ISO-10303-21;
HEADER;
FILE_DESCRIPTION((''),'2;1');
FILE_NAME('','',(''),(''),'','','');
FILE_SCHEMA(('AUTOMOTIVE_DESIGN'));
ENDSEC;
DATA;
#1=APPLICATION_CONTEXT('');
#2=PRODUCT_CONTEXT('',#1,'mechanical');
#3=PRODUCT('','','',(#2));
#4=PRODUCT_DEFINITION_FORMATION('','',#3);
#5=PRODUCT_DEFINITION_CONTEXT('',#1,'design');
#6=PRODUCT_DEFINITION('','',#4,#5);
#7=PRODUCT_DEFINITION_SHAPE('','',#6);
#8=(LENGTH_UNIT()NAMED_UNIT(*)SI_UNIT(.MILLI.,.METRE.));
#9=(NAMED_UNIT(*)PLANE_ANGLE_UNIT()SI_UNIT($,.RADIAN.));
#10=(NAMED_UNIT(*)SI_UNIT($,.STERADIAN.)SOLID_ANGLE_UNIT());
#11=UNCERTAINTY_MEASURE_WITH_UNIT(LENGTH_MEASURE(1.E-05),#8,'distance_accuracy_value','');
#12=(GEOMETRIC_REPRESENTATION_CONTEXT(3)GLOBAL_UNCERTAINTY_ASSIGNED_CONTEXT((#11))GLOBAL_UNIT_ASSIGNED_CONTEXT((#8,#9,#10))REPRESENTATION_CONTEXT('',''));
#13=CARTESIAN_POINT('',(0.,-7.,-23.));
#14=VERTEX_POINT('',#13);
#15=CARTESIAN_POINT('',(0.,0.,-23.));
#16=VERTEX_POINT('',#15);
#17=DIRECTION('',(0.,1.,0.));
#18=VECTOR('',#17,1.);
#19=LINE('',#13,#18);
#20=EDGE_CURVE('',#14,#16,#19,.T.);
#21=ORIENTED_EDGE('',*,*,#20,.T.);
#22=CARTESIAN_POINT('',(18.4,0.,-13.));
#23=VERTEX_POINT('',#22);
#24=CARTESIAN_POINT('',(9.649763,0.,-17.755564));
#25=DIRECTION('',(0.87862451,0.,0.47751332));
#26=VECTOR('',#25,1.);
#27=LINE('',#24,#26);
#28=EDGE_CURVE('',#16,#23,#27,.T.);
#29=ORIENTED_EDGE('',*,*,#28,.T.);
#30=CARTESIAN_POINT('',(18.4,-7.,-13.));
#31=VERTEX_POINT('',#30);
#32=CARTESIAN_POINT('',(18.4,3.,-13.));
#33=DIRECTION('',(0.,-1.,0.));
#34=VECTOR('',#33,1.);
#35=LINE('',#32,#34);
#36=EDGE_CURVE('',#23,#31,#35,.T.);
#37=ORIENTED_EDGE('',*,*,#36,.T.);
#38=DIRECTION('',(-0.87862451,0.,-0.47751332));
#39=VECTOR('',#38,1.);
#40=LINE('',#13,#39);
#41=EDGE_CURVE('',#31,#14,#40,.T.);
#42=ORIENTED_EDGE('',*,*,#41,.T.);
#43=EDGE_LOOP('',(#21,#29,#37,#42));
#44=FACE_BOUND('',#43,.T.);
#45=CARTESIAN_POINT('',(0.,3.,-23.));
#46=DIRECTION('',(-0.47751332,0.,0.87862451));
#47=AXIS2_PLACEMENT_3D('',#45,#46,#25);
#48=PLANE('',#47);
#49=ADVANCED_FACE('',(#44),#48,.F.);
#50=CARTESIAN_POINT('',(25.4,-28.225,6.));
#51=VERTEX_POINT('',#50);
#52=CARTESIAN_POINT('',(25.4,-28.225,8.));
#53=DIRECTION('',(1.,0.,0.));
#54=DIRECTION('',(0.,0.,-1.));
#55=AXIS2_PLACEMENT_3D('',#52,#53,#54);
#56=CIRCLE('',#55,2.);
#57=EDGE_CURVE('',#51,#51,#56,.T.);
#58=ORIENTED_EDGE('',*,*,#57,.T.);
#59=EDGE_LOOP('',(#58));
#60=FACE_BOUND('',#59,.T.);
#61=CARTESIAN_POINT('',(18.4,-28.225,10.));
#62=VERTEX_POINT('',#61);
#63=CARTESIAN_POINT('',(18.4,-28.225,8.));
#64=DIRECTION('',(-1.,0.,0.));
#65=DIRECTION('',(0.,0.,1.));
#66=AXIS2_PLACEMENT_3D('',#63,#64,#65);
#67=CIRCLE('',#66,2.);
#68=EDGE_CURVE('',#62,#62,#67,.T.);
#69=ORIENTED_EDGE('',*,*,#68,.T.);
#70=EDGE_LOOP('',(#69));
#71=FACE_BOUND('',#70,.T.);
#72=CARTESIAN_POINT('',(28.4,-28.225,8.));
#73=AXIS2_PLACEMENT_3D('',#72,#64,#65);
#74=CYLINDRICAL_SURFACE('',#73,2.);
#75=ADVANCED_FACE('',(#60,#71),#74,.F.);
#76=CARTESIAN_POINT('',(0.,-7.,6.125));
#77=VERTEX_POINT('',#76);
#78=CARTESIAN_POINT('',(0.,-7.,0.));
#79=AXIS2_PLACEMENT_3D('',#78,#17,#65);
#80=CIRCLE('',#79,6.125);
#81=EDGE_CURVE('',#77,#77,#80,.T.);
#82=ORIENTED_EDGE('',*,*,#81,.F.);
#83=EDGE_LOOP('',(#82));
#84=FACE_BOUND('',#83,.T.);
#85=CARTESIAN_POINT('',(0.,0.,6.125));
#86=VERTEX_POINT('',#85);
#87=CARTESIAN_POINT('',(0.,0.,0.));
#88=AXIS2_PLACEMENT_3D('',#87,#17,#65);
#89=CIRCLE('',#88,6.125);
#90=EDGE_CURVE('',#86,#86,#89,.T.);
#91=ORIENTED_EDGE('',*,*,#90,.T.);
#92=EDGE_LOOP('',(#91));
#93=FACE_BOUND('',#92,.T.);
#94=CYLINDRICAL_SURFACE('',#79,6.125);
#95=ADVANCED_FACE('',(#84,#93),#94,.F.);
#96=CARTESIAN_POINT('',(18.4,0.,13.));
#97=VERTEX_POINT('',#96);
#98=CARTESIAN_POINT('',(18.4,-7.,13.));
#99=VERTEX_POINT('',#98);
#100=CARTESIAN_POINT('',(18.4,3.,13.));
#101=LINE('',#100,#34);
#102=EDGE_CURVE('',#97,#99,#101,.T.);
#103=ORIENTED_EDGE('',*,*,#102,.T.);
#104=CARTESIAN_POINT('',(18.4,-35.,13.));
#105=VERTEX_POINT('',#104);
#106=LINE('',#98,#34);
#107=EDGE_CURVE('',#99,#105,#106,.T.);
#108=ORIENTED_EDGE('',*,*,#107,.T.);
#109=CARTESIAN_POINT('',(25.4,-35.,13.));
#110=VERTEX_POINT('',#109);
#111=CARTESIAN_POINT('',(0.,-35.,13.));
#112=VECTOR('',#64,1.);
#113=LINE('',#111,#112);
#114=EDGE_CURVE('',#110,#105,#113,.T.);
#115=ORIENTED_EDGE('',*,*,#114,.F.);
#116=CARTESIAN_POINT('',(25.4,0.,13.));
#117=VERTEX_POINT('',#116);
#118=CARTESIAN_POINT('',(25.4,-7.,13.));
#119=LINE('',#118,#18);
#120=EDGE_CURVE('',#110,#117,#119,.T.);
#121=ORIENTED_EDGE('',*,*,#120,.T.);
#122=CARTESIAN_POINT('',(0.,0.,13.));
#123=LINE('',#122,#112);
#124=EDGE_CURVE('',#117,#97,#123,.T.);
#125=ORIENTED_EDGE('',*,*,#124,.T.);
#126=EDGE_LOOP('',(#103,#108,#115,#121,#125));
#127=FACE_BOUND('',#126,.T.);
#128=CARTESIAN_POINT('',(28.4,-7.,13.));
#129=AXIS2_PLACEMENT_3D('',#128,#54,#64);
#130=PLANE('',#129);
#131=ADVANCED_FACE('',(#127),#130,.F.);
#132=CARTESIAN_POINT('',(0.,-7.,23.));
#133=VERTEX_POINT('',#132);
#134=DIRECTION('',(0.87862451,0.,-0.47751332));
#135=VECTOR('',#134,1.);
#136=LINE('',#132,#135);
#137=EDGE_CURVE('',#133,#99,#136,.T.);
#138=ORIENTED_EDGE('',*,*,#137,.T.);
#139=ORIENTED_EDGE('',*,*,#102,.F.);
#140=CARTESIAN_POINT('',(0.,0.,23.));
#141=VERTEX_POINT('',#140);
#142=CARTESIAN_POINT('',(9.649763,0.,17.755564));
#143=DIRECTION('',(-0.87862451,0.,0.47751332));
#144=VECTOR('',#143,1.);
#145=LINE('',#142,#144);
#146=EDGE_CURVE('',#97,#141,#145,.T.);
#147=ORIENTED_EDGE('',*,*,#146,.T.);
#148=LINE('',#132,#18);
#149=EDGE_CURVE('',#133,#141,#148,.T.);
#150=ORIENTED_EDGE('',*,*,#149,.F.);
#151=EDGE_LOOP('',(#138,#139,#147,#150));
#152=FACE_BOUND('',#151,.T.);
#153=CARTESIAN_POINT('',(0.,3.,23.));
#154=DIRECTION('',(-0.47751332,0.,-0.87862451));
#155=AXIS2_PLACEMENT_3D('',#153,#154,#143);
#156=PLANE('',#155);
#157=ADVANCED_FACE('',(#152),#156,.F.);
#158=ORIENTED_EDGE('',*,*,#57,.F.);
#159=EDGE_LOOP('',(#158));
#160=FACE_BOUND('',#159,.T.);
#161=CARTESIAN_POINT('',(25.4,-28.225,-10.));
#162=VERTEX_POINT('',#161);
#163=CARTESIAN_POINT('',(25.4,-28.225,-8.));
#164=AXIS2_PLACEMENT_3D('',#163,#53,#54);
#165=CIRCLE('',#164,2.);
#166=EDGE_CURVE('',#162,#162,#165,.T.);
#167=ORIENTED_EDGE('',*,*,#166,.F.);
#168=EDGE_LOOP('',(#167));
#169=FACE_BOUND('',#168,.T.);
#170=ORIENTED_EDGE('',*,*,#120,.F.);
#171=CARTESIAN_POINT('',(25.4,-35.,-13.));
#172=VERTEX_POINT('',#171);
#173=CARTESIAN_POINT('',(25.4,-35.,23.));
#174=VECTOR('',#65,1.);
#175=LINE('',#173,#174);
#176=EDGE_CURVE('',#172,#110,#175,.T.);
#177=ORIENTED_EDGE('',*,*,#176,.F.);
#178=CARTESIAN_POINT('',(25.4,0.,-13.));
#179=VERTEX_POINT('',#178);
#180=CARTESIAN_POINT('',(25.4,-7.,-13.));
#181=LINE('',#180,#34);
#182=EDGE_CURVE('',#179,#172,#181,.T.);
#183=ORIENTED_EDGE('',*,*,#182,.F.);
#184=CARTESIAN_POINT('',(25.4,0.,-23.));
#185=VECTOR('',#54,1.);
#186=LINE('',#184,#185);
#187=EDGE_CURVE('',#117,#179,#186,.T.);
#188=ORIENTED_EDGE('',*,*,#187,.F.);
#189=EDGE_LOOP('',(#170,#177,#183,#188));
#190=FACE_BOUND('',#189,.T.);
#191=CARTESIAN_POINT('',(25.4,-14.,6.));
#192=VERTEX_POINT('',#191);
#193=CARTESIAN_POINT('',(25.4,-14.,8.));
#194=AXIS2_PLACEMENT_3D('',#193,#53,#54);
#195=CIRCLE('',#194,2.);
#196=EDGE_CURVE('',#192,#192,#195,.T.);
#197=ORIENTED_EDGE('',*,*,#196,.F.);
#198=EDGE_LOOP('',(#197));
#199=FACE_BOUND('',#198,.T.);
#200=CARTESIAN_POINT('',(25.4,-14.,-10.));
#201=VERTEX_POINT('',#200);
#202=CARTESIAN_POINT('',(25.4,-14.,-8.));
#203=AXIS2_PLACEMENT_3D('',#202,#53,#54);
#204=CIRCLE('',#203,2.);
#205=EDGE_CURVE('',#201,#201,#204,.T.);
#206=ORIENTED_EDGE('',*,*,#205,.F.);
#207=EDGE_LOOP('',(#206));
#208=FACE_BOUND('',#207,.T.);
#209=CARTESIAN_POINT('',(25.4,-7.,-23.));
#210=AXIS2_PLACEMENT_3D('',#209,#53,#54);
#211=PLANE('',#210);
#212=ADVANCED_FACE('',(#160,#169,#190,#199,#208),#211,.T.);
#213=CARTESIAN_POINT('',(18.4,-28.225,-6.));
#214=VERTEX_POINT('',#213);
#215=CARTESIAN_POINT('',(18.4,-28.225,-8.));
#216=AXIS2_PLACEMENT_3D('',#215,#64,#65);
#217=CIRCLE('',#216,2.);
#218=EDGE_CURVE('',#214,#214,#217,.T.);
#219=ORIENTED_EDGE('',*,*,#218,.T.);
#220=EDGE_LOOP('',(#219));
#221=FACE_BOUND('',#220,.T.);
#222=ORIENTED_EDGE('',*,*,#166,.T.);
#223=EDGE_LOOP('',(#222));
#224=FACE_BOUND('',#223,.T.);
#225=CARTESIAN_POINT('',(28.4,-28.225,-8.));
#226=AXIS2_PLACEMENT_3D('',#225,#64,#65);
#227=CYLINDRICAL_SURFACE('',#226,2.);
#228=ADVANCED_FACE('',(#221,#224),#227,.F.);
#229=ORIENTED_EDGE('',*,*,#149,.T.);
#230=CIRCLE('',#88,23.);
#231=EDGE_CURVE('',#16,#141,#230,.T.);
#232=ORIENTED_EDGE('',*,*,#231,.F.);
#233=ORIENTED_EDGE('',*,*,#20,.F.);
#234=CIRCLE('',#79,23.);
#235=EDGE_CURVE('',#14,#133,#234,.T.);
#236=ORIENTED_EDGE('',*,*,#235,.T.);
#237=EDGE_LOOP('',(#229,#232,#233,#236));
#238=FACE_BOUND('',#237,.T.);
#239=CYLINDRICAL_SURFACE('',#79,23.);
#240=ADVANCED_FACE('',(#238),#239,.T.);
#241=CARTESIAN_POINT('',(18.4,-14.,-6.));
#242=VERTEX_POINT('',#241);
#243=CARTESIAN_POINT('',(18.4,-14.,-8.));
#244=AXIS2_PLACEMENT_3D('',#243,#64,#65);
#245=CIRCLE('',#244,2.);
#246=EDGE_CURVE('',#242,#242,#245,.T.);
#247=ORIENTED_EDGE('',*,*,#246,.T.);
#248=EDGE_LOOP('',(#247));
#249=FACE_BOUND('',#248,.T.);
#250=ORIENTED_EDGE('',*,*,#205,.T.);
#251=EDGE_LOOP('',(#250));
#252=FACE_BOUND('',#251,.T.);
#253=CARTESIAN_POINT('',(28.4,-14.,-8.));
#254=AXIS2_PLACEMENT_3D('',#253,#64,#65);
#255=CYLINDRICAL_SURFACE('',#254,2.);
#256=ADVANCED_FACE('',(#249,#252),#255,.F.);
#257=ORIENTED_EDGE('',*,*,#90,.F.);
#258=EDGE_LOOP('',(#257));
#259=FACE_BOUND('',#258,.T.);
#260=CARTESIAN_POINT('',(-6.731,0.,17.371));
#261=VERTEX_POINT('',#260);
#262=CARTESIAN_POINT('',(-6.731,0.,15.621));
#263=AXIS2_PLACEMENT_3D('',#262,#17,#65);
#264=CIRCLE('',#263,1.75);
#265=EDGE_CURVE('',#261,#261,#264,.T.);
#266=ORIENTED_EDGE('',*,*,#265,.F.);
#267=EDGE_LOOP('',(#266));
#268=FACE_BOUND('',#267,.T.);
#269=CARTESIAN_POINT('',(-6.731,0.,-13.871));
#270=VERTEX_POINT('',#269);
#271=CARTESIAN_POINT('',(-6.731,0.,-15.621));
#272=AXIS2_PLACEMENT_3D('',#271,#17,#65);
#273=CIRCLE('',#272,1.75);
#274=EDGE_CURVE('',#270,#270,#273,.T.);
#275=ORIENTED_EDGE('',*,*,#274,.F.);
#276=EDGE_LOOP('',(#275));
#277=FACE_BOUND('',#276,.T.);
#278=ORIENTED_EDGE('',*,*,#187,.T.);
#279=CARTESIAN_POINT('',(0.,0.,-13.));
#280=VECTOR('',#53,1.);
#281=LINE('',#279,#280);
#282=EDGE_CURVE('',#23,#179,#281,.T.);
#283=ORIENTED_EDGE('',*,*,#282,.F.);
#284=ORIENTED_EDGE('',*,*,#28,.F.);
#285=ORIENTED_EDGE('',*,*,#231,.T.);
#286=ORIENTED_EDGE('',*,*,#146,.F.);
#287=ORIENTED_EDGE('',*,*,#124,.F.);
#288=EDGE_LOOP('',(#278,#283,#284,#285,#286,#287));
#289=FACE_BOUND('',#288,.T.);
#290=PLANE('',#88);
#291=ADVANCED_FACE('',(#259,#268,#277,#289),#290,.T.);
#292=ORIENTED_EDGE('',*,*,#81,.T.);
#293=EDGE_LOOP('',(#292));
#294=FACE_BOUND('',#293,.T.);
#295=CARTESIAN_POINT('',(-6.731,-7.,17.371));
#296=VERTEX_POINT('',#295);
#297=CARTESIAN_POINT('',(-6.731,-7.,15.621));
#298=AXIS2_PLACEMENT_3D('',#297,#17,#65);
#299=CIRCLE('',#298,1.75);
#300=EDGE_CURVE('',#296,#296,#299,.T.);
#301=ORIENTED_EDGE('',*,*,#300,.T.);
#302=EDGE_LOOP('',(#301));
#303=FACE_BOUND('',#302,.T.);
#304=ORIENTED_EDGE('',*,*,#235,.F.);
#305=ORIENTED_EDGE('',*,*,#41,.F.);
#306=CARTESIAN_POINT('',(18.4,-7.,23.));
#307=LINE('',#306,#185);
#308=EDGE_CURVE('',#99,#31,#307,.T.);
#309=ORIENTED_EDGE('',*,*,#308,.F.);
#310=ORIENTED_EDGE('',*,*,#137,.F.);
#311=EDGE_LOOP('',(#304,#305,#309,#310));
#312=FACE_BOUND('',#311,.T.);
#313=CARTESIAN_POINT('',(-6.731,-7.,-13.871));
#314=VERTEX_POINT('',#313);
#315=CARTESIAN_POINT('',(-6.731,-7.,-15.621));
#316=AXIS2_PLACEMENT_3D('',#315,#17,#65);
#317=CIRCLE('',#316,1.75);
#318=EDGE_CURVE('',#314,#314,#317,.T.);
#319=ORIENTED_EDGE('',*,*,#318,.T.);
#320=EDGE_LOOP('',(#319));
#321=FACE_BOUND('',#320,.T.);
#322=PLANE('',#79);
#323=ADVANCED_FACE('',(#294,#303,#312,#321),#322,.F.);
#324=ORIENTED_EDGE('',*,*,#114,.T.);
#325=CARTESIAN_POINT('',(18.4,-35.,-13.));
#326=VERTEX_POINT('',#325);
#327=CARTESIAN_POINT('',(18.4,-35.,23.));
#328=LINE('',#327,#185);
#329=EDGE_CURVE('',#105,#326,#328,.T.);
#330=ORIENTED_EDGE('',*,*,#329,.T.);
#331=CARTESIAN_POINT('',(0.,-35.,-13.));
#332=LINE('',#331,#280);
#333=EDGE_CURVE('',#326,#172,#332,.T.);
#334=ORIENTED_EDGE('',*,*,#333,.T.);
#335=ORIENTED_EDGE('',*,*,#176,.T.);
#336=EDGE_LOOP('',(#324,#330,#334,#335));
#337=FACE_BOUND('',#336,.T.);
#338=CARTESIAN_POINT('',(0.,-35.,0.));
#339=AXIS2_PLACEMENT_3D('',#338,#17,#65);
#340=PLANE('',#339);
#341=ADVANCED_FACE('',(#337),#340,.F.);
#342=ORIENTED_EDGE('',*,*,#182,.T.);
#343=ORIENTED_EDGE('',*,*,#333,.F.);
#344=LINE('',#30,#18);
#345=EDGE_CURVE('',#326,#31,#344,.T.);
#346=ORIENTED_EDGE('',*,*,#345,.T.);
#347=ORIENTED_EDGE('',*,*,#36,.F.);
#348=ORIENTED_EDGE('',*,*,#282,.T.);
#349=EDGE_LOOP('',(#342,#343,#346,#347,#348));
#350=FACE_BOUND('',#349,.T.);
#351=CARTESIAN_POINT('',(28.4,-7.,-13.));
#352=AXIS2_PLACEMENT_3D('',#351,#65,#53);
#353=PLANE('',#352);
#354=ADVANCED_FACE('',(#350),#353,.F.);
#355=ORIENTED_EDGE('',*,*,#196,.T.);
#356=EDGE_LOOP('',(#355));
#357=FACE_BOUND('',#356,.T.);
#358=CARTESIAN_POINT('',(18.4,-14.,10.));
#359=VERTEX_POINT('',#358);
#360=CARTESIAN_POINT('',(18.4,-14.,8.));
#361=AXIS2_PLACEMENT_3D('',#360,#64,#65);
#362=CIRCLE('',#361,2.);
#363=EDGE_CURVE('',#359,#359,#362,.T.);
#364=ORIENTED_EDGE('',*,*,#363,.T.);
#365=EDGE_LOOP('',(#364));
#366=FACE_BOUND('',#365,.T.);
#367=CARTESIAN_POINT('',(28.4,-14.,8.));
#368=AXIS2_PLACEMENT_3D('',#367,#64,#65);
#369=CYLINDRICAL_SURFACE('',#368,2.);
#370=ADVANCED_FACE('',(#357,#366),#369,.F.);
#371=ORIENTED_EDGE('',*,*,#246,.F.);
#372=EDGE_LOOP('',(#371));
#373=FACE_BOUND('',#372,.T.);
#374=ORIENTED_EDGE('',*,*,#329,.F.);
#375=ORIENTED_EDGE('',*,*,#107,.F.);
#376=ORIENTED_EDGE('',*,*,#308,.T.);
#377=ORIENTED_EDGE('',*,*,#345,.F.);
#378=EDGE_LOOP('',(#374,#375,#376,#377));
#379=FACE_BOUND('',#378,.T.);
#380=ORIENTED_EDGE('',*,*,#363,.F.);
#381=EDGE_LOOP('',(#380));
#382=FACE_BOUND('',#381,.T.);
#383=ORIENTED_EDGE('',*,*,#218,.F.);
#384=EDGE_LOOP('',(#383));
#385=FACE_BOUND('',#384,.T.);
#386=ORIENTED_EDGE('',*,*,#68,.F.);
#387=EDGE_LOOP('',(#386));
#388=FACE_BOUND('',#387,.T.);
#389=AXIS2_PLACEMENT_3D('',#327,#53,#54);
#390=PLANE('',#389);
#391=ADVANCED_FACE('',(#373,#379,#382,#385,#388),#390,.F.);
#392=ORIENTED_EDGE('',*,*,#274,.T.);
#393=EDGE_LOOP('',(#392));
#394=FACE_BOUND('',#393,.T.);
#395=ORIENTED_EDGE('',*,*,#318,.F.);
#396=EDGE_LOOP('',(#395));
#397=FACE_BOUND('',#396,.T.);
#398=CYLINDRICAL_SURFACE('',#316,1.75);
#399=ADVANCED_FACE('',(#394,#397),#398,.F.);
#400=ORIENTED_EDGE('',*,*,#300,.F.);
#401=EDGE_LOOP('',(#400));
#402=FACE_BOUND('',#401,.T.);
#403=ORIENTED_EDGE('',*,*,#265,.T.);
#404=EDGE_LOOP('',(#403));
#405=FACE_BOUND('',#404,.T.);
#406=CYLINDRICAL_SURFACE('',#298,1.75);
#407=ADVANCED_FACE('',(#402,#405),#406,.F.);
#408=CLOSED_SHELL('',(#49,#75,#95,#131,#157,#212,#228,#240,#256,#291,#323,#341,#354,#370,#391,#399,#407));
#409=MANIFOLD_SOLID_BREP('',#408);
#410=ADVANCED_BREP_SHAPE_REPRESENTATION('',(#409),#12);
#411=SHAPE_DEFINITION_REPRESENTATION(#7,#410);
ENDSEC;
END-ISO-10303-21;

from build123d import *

# Parameters (mm, degrees)
BOSS_EXTRUDE1_DEPTH = 7
SKETCH2_W           = 7
SKETCH2_H           = 46
BOSS_EXTRUDE2_DEPTH = 28
SKETCH4_R           = 6.125
CUT_EXTRUDE1_DEPTH  = 7
SKETCH5_R           = 1.75
CUT_EXTRUDE3_DEPTH  = 7
SKETCH6_W           = 10
SKETCH6_H           = 28
CUT_EXTRUDE4_DEPTH  = 10
CUT_EXTRUDE5_DEPTH  = 10
SKETCH8_R           = 2
CUT_EXTRUDE6_DEPTH  = 10


with BuildPart() as part:
    # Sketch1 → Boss-Extrude1 (new body)
    with BuildSketch(Plane(origin=(0, 0, 0), x_dir=(1, 0, 0), z_dir=(0, 1, 0))):
        with BuildLine():
            Line((25.4, 23), (25.4, -23))
            Line((25.4, -23), (0, -23))
            ThreePointArc((0, -23), (-23, 0), (0, 23))
            Line((0, 23), (25.4, 23))
        make_face()
    extrude(amount=-BOSS_EXTRUDE1_DEPTH)

    # Sketch2 → Boss-Extrude2 (add)
    with BuildSketch(Plane.XZ.offset(7)):
        with Locations((21.9, 0)):
            Rectangle(SKETCH2_W, SKETCH2_H)
    extrude(amount=BOSS_EXTRUDE2_DEPTH)

    # Sketch4 → Cut-Extrude1 (cut)
    with BuildSketch(Plane(origin=(0, 0, 0), x_dir=(1, 0, 0), z_dir=(0, 1, 0))):
        Circle(SKETCH4_R)
    extrude(amount=-CUT_EXTRUDE1_DEPTH, mode=Mode.SUBTRACT)

    # Sketch5 → Cut-Extrude3 (cut)
    with BuildSketch(Plane(origin=(0, 0, 0), x_dir=(1, 0, 0), z_dir=(0, 1, 0))):
        with Locations((-6.731, 15.621)):
            Circle(SKETCH5_R)
        with Locations((-6.731, -15.621)):
            Circle(SKETCH5_R)
    extrude(amount=-CUT_EXTRUDE3_DEPTH, mode=Mode.SUBTRACT)

    # Sketch6 → Cut-Extrude4 (cut)
    with BuildSketch(Plane.ZY.offset(-18.4)):
        with Locations((18, -21)):
            Rectangle(SKETCH6_W, SKETCH6_H)
        with Locations((-18, -21)):
            Rectangle(SKETCH6_W, SKETCH6_H)
    extrude(amount=-CUT_EXTRUDE4_DEPTH, mode=Mode.SUBTRACT)

    # Sketch7 → Cut-Extrude5 (cut)
    with BuildSketch(Plane.XZ.offset(7)):
        Polygon((0, -23), (18.4, -13), (25.4, -13), (25.4, -23), align=None)
        Polygon((0, 23), (18.4, 13), (25.4, 13), (25.4, 23), align=None)
    extrude(amount=-CUT_EXTRUDE5_DEPTH, mode=Mode.SUBTRACT)

    # Sketch8 → Cut-Extrude6 (cut)
    with BuildSketch(Plane.ZY.offset(-18.4)):
        with Locations((-8, -14)):
            Circle(SKETCH8_R)
        with Locations((8, -14)):
            Circle(SKETCH8_R)
        with Locations((-8, -28.225)):
            Circle(SKETCH8_R)
        with Locations((8, -28.225)):
            Circle(SKETCH8_R)
    extrude(amount=-CUT_EXTRUDE6_DEPTH, mode=Mode.SUBTRACT)


solid = part.part
